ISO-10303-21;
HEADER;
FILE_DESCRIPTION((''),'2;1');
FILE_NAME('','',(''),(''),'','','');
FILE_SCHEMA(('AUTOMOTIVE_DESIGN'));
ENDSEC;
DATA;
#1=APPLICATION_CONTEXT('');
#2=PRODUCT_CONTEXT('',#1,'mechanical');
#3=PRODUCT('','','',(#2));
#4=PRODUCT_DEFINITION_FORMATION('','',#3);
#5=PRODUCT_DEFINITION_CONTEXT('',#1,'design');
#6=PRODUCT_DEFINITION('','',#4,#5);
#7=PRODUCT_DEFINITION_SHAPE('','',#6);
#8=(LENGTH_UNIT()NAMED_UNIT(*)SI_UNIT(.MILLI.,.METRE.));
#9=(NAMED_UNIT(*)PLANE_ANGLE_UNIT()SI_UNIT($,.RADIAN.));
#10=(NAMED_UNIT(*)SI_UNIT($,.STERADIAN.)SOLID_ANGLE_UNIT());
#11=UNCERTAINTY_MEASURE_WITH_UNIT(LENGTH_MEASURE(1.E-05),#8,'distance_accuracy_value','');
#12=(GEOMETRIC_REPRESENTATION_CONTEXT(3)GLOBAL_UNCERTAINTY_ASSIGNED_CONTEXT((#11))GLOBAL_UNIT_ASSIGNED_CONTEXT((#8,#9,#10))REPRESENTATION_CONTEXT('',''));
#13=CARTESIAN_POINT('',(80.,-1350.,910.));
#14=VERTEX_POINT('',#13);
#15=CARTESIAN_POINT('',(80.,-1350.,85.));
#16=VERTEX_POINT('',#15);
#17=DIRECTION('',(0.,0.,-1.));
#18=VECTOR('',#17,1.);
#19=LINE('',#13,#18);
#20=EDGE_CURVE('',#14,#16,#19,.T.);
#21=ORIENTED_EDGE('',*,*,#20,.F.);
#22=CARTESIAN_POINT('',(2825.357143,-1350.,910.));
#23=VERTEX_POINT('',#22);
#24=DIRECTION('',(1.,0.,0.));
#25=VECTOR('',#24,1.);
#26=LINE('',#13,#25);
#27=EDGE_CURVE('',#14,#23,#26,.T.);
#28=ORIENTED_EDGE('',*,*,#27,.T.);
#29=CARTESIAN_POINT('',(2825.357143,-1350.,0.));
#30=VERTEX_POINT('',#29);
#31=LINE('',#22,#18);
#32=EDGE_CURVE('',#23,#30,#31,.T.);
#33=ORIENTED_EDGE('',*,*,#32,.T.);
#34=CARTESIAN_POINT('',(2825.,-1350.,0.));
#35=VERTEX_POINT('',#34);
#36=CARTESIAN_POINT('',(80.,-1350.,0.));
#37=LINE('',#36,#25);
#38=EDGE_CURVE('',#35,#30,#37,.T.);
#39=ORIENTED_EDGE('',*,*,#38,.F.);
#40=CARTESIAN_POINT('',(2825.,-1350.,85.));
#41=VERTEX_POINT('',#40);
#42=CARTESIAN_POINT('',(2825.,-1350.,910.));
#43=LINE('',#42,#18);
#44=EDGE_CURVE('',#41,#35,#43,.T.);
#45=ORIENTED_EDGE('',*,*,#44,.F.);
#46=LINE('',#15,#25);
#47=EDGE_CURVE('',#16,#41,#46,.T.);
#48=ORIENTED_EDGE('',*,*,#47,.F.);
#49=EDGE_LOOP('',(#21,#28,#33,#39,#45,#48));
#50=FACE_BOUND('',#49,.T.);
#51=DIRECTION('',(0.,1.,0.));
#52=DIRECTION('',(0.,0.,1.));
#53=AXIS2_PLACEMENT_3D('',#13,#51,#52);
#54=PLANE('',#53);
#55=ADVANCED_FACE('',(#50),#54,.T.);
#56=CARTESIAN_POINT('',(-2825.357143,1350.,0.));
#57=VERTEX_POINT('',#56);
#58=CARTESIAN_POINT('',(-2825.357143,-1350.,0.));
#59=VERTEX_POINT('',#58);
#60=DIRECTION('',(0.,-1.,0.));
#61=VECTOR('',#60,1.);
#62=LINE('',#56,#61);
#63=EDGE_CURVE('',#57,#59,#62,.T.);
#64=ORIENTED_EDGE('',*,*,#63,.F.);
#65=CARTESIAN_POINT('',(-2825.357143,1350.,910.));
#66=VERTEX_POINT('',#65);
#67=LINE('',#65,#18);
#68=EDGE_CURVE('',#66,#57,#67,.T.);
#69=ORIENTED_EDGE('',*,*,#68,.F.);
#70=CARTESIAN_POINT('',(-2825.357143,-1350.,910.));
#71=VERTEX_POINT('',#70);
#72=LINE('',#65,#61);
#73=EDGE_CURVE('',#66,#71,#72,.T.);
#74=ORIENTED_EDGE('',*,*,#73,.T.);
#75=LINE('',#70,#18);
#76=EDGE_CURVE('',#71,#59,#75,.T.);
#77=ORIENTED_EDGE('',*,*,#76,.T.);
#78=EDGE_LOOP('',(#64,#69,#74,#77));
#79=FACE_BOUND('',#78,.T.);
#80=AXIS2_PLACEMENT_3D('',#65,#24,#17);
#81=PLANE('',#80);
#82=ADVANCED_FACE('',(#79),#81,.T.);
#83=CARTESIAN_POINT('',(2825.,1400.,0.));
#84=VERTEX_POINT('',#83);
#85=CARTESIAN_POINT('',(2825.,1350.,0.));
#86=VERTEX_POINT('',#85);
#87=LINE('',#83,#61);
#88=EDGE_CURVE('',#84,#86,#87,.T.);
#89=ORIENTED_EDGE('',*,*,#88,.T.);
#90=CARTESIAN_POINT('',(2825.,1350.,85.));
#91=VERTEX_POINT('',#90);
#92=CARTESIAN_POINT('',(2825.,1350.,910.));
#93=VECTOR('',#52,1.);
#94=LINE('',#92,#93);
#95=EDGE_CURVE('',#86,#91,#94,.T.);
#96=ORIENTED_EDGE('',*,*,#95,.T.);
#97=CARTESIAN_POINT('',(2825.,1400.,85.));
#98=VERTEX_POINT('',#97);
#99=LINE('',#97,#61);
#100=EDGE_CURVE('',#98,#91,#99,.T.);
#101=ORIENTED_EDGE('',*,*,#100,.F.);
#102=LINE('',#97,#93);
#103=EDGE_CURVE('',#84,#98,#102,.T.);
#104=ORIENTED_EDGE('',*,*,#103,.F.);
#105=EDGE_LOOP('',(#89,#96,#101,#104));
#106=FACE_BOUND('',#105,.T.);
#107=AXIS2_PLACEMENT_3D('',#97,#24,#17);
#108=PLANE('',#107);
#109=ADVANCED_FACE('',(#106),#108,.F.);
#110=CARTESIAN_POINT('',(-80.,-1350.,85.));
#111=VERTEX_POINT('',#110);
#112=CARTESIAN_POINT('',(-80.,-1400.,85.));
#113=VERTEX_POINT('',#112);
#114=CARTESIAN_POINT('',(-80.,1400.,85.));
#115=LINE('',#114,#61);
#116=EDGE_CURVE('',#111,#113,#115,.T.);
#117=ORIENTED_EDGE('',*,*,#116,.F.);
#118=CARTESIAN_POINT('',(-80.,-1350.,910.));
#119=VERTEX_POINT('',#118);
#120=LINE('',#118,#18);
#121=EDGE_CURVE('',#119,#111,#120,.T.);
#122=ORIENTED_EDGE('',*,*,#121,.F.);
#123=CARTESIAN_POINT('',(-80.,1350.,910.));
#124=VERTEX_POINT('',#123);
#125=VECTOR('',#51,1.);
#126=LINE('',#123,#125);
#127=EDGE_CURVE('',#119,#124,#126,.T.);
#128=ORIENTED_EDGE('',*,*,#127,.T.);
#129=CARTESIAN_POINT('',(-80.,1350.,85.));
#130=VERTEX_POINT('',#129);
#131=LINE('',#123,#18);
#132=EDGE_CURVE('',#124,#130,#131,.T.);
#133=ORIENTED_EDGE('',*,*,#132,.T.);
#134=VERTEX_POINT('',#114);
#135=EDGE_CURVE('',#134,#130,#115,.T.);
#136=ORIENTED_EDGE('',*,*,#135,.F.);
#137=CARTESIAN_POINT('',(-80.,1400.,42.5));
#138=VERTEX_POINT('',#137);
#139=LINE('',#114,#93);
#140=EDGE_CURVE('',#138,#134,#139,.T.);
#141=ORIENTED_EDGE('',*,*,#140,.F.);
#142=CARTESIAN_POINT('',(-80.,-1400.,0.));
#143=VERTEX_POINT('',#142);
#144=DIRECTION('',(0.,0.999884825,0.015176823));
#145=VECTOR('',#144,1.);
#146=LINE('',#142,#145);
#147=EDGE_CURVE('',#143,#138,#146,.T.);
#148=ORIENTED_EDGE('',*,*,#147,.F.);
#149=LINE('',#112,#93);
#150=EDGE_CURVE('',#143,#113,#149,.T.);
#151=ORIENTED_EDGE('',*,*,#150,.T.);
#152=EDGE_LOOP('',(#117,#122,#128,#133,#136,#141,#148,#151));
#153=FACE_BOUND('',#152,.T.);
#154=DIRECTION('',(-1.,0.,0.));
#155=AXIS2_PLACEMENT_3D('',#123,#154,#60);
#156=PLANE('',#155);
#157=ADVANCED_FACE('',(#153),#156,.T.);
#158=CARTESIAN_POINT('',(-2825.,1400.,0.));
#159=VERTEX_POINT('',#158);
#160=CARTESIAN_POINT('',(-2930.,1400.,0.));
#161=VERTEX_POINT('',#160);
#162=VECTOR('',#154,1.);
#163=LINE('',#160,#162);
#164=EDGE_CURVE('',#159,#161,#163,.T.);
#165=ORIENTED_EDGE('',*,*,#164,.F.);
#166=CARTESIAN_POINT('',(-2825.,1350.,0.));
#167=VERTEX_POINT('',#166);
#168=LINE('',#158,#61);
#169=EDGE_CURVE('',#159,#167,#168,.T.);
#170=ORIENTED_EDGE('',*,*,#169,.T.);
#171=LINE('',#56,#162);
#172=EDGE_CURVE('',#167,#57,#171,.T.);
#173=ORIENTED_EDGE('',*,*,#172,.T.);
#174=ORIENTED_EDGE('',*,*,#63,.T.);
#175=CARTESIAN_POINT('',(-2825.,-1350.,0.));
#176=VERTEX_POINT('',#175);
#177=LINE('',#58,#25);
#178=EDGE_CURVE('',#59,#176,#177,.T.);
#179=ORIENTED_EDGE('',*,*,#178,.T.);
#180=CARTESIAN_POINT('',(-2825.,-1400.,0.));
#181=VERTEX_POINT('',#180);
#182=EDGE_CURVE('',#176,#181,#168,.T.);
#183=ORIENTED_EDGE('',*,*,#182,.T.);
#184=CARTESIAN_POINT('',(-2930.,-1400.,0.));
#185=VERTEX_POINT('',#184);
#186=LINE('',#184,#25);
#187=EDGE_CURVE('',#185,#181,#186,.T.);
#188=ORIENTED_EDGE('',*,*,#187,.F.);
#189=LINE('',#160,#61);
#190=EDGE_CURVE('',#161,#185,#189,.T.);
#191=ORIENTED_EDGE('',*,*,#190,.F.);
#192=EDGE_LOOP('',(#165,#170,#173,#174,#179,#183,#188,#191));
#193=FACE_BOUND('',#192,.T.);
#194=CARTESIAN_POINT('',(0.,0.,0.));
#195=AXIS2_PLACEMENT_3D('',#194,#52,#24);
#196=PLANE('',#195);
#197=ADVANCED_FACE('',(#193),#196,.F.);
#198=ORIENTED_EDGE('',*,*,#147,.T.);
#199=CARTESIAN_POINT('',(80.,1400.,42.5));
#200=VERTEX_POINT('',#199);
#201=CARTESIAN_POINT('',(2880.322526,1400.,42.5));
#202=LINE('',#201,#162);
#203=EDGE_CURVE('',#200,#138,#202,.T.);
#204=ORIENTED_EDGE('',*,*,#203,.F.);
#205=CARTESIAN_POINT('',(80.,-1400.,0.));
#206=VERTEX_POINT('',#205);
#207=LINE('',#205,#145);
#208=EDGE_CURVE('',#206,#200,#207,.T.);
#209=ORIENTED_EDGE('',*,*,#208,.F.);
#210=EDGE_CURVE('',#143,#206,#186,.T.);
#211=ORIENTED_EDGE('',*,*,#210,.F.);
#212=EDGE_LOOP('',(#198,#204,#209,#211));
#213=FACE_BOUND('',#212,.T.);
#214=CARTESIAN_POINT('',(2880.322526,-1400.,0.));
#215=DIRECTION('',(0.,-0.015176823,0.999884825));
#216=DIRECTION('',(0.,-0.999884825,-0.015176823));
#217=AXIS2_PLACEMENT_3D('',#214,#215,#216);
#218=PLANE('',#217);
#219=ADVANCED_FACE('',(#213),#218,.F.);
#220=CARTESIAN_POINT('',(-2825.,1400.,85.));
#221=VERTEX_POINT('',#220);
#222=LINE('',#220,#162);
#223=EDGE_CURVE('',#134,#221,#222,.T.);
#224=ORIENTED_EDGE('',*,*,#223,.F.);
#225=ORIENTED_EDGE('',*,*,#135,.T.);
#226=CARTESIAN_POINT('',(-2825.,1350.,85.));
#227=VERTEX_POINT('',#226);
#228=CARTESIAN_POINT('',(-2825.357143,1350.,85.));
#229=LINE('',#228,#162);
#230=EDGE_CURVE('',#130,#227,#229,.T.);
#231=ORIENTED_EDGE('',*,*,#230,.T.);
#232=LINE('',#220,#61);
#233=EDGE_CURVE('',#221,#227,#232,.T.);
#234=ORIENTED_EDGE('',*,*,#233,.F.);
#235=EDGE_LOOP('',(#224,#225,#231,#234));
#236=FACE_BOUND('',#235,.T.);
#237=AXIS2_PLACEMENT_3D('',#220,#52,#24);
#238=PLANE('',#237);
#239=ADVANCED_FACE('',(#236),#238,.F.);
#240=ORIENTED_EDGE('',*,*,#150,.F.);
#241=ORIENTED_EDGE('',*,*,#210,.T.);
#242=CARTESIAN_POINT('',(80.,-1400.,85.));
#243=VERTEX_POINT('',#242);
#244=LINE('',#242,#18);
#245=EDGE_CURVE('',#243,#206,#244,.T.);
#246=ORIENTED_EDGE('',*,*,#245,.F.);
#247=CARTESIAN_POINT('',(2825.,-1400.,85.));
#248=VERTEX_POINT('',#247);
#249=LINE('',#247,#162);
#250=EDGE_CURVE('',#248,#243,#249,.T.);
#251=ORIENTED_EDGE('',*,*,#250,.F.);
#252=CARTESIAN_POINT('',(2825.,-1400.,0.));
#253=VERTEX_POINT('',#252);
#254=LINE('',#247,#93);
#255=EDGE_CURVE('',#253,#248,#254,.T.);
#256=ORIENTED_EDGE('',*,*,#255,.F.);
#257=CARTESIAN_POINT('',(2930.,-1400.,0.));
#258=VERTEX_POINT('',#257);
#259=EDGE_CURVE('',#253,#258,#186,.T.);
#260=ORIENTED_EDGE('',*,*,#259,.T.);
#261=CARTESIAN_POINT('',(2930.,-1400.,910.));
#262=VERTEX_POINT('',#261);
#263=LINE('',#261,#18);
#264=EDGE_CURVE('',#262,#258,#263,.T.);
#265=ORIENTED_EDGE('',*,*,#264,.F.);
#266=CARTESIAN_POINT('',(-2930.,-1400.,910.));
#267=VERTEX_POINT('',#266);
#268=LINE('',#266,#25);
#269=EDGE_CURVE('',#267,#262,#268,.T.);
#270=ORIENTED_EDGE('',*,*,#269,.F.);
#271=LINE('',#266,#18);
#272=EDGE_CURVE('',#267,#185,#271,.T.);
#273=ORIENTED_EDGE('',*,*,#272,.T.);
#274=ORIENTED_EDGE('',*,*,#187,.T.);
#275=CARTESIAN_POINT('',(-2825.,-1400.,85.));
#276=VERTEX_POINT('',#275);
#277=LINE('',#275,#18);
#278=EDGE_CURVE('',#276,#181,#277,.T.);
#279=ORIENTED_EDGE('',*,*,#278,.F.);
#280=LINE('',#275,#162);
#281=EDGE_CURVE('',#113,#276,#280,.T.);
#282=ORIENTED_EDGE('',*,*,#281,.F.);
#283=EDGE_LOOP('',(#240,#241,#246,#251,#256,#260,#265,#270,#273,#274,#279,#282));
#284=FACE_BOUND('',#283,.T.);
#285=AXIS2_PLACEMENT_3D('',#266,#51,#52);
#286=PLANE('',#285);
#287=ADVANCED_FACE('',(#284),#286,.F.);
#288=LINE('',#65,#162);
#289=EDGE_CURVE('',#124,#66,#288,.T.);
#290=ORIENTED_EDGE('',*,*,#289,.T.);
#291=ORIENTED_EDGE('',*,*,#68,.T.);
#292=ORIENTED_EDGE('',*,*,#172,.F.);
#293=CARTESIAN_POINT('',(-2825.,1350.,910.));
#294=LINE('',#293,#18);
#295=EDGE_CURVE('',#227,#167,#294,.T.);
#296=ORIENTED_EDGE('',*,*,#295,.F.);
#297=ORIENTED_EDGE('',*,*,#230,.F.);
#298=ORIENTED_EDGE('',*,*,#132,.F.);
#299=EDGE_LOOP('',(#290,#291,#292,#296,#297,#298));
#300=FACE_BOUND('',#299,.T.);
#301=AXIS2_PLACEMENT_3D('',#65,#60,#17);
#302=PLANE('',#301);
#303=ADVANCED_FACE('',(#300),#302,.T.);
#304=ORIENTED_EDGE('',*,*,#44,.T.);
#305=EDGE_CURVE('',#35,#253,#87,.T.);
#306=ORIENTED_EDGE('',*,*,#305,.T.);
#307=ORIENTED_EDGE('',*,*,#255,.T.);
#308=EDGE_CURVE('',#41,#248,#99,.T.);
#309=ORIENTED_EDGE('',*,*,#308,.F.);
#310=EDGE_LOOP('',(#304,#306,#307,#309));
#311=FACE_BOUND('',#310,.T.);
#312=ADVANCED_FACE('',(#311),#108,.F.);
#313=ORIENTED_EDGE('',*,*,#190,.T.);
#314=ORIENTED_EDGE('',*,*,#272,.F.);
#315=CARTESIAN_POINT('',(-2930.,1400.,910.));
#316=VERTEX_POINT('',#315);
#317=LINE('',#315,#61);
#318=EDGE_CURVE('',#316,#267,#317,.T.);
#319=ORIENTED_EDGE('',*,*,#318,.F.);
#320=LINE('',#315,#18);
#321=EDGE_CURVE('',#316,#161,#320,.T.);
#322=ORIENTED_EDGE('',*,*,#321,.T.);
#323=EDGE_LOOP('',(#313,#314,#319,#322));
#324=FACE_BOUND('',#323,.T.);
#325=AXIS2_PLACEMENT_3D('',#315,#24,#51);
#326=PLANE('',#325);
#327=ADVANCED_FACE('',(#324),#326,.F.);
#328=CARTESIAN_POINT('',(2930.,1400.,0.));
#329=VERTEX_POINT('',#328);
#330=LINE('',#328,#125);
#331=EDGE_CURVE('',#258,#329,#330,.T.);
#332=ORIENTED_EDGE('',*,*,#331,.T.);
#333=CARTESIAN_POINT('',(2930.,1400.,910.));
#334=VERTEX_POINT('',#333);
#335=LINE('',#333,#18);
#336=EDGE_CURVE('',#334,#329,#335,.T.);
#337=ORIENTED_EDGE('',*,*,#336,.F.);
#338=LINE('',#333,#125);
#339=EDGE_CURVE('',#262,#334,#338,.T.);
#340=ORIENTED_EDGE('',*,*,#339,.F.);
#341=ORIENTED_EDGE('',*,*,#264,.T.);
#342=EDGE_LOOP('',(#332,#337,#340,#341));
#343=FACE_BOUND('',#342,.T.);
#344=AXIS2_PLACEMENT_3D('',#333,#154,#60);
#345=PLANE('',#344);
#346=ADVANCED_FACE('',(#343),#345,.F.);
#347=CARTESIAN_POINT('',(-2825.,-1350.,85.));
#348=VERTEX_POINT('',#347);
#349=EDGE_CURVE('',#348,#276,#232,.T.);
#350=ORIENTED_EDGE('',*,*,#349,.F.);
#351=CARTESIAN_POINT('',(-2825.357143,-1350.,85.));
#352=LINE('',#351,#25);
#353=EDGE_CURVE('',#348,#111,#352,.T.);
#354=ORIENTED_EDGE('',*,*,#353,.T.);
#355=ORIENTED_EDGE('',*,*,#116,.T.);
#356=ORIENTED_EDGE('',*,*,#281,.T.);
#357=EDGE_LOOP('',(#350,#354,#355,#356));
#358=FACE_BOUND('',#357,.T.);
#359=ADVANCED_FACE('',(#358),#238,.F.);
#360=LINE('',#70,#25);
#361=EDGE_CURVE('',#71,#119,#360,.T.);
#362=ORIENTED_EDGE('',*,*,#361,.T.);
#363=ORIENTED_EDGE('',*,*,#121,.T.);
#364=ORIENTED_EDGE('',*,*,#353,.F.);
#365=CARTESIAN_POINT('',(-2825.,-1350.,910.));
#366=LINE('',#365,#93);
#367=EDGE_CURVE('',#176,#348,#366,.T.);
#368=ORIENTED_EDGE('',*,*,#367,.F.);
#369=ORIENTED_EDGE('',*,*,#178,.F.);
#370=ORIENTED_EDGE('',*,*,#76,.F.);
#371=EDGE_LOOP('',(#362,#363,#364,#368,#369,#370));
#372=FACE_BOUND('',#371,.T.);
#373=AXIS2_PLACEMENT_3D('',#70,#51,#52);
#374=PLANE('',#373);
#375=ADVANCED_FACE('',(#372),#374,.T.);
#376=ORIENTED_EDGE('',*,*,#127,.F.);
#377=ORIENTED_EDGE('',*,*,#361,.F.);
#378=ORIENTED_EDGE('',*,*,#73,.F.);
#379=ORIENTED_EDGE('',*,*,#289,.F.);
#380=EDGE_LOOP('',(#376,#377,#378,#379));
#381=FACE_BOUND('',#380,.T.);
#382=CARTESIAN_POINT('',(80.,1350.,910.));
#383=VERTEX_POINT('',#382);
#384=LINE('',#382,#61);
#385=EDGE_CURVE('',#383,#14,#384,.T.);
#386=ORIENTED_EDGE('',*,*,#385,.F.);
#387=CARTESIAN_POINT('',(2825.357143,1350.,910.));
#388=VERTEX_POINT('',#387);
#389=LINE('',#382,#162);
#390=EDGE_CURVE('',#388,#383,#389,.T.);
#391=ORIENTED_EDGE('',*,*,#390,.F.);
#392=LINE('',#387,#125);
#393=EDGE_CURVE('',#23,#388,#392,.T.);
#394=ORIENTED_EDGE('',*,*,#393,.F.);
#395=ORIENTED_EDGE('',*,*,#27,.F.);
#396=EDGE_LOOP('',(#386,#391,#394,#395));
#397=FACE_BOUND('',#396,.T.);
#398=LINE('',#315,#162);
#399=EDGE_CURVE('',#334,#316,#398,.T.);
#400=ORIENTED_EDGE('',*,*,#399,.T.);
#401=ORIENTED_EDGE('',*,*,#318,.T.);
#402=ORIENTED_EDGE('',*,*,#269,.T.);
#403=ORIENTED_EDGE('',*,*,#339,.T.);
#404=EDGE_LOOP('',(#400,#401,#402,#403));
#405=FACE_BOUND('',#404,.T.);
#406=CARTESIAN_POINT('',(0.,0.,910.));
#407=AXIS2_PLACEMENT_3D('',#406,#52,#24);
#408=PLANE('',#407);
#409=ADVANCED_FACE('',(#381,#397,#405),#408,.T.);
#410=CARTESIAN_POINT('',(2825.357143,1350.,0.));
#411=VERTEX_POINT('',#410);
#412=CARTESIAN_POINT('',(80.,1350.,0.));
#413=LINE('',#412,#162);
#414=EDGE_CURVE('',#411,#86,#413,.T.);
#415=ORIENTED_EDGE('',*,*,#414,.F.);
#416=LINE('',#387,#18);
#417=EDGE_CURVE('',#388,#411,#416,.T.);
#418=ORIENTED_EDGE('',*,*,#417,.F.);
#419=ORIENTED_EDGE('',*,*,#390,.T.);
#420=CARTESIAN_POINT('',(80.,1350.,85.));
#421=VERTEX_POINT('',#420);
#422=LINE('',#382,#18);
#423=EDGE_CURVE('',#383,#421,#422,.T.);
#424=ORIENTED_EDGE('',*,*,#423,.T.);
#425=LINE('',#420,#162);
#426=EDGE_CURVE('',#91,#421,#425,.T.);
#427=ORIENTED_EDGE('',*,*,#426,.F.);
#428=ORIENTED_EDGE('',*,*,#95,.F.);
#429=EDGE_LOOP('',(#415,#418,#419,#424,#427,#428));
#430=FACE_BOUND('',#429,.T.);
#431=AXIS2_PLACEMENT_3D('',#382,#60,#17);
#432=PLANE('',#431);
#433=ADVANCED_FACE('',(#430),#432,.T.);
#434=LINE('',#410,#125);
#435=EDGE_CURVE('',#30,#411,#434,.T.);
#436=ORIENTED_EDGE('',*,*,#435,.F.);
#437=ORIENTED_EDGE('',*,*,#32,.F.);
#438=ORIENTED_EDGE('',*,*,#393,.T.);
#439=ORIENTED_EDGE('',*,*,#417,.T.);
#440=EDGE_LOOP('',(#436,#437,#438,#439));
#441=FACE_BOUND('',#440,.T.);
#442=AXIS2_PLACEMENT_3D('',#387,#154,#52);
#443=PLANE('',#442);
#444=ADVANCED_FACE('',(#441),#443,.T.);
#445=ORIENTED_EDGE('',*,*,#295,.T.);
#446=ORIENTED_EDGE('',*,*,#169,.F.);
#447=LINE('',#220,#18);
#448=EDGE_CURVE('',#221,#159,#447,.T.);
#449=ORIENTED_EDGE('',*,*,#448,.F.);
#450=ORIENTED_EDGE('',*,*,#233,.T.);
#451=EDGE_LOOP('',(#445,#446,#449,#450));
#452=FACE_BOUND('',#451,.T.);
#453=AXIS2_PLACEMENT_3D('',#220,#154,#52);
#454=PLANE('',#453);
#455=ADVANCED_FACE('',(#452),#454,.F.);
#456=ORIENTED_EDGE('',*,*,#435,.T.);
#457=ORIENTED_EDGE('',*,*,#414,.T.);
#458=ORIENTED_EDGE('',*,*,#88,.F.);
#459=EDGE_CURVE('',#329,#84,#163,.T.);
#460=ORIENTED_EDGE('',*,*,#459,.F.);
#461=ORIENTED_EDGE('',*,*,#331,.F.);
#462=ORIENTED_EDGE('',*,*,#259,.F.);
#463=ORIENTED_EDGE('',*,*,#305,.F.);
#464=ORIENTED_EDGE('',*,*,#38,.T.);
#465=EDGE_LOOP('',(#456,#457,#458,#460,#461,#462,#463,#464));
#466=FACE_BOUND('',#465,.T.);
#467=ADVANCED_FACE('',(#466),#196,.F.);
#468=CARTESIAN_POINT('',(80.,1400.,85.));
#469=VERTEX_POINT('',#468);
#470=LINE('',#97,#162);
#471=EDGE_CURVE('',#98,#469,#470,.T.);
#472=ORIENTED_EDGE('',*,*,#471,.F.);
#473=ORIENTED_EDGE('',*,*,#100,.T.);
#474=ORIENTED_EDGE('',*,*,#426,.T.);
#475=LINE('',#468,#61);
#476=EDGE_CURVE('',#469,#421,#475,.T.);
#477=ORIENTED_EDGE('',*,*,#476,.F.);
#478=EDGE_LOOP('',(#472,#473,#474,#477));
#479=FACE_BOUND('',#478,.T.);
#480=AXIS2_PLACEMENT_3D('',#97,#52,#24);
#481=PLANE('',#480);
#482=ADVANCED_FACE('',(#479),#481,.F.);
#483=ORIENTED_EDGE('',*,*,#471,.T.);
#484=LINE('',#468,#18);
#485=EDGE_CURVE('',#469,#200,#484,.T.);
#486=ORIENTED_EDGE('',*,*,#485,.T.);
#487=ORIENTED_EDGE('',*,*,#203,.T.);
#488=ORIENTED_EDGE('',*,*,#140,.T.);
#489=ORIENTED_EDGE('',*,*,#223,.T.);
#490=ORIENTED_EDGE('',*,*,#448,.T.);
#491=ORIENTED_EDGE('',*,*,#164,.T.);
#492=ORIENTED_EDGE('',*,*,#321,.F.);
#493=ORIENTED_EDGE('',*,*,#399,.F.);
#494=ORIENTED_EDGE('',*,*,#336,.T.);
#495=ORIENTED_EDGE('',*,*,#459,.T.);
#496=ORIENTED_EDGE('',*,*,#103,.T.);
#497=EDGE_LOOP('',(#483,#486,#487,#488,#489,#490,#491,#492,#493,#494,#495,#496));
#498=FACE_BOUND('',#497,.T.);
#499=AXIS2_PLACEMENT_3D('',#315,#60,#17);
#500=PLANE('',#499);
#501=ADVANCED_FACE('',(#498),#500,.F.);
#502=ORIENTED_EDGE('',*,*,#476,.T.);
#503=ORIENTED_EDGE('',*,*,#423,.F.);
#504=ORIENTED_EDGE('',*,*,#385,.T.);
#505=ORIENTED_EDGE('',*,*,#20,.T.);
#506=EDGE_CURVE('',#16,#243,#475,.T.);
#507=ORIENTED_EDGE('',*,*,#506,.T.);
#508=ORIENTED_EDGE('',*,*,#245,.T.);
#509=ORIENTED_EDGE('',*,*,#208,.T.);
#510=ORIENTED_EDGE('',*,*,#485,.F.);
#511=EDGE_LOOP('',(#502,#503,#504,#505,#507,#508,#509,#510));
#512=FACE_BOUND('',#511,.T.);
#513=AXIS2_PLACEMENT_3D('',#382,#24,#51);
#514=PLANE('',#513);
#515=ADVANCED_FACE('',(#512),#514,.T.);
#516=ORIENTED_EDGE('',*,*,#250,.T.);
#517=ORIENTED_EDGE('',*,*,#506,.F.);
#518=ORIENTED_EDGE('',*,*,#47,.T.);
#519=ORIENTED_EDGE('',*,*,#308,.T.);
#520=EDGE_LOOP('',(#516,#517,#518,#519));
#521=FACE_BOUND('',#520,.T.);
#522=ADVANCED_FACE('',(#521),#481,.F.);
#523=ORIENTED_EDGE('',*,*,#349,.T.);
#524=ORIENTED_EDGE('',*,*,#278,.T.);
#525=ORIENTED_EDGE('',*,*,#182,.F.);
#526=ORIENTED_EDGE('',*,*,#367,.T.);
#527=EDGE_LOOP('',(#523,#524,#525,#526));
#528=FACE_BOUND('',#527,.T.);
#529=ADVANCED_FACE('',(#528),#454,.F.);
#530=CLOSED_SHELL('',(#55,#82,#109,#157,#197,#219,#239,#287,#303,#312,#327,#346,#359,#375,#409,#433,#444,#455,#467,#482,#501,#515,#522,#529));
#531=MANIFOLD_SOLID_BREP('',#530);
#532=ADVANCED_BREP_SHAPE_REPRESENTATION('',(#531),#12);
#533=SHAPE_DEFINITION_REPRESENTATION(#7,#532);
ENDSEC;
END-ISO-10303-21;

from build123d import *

# Parameters (mm, degrees)
SKETCH_1_W          = 5860
SKETCH_1_H          = 2800
SKETCH_1_W_2        = 2745.357142857
SKETCH_1_H_2        = 2700
EXTRUDE_1_DEPTH     = 910
SKETCH_2_W          = 2745
SKETCH_2_H          = 85
CUT_EXTRUDE_1_DEPTH = 2801
CUT_EXTRUDE_2_DEPTH = 160


with BuildPart() as part:
    # Эскиз1 → Бобышка-Вытянуть1 (new body)
    with BuildSketch(Plane.XY):
        Rectangle(SKETCH_1_W, SKETCH_1_H)
        with Locations((-1452.678571429, 0)):
            Rectangle(SKETCH_1_W_2, SKETCH_1_H_2, mode=Mode.SUBTRACT)
        with Locations((1452.678571429, 0)):
            Rectangle(SKETCH_1_W_2, SKETCH_1_H_2, mode=Mode.SUBTRACT)
    extrude(amount=EXTRUDE_1_DEPTH)

    # Эскиз2 → Вырез-Вытянуть1 (cut, through all)
    with BuildSketch(Plane.XZ.offset(1400)):
        with Locations((-1452.5, 42.5)):
            Rectangle(SKETCH_2_W, SKETCH_2_H)
        with Locations((1452.5, 42.5)):
            Rectangle(SKETCH_2_W, SKETCH_2_H)
    extrude(amount=-CUT_EXTRUDE_1_DEPTH, mode=Mode.SUBTRACT)

    # Эскиз3 → Вырез-Вытянуть2 (cut)
    with BuildSketch(Plane.ZY.offset(80)):
        Polygon((0, 1400), (0, -1400), (42.5, 1400), align=None)
    extrude(amount=-CUT_EXTRUDE_2_DEPTH, mode=Mode.SUBTRACT)


solid = part.part
